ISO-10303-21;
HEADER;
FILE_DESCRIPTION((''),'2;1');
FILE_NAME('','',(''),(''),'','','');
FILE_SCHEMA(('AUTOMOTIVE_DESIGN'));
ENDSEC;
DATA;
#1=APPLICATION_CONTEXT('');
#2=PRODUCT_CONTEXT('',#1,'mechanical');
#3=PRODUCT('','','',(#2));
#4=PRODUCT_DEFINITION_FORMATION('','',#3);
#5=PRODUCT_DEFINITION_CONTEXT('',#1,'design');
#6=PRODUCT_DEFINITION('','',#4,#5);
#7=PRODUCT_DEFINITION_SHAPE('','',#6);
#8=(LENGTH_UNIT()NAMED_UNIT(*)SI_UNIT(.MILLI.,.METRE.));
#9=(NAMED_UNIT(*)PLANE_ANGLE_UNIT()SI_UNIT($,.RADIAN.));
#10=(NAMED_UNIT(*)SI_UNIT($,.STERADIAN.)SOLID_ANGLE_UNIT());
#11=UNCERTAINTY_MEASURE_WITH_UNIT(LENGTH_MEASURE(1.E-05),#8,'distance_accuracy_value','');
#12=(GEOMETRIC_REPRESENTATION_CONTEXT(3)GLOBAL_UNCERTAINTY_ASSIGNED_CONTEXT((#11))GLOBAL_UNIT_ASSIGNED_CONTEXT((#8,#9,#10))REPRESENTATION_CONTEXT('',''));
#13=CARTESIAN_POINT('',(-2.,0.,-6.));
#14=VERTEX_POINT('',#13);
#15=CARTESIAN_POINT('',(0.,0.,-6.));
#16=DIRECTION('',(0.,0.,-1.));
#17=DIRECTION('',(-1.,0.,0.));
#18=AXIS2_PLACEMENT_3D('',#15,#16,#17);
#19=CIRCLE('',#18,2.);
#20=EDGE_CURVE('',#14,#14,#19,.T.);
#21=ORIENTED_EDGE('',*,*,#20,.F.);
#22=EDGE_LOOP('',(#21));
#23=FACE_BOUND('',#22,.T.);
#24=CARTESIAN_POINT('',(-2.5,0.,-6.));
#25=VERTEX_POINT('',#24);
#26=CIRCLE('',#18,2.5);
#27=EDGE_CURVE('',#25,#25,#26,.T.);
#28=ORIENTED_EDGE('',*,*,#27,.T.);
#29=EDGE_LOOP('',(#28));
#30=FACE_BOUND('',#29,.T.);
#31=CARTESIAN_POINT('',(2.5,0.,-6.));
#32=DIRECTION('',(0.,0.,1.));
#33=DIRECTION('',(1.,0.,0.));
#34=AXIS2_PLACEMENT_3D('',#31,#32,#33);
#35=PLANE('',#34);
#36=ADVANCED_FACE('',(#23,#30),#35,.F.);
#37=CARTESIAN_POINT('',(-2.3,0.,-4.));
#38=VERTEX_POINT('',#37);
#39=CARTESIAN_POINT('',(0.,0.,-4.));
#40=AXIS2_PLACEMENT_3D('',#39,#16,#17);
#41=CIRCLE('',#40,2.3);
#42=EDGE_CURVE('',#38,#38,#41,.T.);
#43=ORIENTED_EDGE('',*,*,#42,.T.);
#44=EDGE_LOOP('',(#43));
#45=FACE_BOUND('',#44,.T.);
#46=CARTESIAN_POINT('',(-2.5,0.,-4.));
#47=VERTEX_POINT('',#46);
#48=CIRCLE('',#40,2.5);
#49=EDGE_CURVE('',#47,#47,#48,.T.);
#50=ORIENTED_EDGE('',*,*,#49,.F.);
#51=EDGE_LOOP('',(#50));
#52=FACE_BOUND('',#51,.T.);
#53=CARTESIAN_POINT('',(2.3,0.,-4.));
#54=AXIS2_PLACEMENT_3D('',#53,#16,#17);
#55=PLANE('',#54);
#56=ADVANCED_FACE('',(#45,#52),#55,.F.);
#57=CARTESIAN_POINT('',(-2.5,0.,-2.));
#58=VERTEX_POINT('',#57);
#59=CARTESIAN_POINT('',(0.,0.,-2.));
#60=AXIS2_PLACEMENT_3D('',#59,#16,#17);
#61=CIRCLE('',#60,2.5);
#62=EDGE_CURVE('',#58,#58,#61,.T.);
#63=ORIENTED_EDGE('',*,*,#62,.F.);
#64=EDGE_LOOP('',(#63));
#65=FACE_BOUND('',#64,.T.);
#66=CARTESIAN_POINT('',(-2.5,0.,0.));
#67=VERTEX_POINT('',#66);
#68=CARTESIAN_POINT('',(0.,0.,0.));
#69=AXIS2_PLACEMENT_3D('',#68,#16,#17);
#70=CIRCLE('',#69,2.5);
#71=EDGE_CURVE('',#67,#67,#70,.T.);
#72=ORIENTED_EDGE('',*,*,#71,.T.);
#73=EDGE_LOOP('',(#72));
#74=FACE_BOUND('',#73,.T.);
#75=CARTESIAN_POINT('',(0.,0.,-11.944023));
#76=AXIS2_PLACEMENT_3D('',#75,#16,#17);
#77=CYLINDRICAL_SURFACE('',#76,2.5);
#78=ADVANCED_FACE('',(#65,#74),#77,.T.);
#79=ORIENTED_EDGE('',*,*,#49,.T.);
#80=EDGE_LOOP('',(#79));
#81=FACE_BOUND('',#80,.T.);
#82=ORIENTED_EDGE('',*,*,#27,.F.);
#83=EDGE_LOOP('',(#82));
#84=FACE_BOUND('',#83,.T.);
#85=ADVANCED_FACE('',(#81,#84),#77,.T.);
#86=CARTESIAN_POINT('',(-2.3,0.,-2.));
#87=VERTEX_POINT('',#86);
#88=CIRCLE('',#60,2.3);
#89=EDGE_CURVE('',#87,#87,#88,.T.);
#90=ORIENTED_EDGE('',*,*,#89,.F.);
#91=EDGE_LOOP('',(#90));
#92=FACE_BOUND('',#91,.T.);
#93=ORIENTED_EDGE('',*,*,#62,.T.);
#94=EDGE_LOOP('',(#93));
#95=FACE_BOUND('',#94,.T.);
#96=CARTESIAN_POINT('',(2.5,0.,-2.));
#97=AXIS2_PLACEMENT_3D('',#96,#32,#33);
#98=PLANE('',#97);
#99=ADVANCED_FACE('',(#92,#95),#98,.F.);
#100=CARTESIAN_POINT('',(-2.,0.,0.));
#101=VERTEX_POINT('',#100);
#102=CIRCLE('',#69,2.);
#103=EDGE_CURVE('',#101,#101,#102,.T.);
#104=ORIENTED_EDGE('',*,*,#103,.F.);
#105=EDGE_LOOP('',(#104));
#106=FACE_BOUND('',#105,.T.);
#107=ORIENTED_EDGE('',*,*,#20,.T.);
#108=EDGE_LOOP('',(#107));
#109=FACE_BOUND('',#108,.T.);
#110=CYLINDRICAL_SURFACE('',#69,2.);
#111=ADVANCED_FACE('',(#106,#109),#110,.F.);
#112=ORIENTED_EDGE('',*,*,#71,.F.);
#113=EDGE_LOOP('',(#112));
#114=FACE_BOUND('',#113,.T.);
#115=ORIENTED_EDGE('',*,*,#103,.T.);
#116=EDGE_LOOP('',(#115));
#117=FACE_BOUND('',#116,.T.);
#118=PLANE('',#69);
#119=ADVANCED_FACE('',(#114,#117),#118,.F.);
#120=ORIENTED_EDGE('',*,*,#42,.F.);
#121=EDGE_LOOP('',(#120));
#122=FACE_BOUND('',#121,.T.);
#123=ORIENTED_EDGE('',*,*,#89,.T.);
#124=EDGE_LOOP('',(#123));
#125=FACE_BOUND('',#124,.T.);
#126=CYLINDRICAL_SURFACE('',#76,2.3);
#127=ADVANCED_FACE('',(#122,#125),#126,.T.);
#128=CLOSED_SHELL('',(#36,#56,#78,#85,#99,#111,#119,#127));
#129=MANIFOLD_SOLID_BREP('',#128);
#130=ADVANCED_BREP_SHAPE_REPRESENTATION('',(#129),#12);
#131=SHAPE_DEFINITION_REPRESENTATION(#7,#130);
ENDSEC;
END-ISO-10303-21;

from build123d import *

# Parameters (mm, degrees)
SKETCH2_R          = 2
CUT_EXTRUDE1_DEPTH = 7.964194139


with BuildPart() as part:
    # Sketch1 → Revolve1 (revolve)
    with BuildSketch(Plane(origin=(0, 0, 0), x_dir=(1, 0, 0), z_dir=(0, 1, 0)), mode=Mode.PRIVATE) as revolve1_sk:
        Polygon((0, 0), (2.5, 0), (2.5, 2), (2.3, 2), (2.3, 4), (2.5, 4), (2.5, 6), (0, 6), align=None)
    revolve(revolve1_sk.sketch.rotate(Axis((0, 0, -11.944023292), (0, 0, 1)), 180), axis=Axis((0, 0, -11.944023292), (0, 0, 1)))

    # Sketch2 → Cut-Extrude1 (cut, through all)
    with BuildSketch(Plane(origin=(0, 0, -6), x_dir=(-1, 0, 0), z_dir=(0, 0, -1))):
        Circle(SKETCH2_R)
    extrude(amount=-CUT_EXTRUDE1_DEPTH, mode=Mode.SUBTRACT)


solid = part.part
